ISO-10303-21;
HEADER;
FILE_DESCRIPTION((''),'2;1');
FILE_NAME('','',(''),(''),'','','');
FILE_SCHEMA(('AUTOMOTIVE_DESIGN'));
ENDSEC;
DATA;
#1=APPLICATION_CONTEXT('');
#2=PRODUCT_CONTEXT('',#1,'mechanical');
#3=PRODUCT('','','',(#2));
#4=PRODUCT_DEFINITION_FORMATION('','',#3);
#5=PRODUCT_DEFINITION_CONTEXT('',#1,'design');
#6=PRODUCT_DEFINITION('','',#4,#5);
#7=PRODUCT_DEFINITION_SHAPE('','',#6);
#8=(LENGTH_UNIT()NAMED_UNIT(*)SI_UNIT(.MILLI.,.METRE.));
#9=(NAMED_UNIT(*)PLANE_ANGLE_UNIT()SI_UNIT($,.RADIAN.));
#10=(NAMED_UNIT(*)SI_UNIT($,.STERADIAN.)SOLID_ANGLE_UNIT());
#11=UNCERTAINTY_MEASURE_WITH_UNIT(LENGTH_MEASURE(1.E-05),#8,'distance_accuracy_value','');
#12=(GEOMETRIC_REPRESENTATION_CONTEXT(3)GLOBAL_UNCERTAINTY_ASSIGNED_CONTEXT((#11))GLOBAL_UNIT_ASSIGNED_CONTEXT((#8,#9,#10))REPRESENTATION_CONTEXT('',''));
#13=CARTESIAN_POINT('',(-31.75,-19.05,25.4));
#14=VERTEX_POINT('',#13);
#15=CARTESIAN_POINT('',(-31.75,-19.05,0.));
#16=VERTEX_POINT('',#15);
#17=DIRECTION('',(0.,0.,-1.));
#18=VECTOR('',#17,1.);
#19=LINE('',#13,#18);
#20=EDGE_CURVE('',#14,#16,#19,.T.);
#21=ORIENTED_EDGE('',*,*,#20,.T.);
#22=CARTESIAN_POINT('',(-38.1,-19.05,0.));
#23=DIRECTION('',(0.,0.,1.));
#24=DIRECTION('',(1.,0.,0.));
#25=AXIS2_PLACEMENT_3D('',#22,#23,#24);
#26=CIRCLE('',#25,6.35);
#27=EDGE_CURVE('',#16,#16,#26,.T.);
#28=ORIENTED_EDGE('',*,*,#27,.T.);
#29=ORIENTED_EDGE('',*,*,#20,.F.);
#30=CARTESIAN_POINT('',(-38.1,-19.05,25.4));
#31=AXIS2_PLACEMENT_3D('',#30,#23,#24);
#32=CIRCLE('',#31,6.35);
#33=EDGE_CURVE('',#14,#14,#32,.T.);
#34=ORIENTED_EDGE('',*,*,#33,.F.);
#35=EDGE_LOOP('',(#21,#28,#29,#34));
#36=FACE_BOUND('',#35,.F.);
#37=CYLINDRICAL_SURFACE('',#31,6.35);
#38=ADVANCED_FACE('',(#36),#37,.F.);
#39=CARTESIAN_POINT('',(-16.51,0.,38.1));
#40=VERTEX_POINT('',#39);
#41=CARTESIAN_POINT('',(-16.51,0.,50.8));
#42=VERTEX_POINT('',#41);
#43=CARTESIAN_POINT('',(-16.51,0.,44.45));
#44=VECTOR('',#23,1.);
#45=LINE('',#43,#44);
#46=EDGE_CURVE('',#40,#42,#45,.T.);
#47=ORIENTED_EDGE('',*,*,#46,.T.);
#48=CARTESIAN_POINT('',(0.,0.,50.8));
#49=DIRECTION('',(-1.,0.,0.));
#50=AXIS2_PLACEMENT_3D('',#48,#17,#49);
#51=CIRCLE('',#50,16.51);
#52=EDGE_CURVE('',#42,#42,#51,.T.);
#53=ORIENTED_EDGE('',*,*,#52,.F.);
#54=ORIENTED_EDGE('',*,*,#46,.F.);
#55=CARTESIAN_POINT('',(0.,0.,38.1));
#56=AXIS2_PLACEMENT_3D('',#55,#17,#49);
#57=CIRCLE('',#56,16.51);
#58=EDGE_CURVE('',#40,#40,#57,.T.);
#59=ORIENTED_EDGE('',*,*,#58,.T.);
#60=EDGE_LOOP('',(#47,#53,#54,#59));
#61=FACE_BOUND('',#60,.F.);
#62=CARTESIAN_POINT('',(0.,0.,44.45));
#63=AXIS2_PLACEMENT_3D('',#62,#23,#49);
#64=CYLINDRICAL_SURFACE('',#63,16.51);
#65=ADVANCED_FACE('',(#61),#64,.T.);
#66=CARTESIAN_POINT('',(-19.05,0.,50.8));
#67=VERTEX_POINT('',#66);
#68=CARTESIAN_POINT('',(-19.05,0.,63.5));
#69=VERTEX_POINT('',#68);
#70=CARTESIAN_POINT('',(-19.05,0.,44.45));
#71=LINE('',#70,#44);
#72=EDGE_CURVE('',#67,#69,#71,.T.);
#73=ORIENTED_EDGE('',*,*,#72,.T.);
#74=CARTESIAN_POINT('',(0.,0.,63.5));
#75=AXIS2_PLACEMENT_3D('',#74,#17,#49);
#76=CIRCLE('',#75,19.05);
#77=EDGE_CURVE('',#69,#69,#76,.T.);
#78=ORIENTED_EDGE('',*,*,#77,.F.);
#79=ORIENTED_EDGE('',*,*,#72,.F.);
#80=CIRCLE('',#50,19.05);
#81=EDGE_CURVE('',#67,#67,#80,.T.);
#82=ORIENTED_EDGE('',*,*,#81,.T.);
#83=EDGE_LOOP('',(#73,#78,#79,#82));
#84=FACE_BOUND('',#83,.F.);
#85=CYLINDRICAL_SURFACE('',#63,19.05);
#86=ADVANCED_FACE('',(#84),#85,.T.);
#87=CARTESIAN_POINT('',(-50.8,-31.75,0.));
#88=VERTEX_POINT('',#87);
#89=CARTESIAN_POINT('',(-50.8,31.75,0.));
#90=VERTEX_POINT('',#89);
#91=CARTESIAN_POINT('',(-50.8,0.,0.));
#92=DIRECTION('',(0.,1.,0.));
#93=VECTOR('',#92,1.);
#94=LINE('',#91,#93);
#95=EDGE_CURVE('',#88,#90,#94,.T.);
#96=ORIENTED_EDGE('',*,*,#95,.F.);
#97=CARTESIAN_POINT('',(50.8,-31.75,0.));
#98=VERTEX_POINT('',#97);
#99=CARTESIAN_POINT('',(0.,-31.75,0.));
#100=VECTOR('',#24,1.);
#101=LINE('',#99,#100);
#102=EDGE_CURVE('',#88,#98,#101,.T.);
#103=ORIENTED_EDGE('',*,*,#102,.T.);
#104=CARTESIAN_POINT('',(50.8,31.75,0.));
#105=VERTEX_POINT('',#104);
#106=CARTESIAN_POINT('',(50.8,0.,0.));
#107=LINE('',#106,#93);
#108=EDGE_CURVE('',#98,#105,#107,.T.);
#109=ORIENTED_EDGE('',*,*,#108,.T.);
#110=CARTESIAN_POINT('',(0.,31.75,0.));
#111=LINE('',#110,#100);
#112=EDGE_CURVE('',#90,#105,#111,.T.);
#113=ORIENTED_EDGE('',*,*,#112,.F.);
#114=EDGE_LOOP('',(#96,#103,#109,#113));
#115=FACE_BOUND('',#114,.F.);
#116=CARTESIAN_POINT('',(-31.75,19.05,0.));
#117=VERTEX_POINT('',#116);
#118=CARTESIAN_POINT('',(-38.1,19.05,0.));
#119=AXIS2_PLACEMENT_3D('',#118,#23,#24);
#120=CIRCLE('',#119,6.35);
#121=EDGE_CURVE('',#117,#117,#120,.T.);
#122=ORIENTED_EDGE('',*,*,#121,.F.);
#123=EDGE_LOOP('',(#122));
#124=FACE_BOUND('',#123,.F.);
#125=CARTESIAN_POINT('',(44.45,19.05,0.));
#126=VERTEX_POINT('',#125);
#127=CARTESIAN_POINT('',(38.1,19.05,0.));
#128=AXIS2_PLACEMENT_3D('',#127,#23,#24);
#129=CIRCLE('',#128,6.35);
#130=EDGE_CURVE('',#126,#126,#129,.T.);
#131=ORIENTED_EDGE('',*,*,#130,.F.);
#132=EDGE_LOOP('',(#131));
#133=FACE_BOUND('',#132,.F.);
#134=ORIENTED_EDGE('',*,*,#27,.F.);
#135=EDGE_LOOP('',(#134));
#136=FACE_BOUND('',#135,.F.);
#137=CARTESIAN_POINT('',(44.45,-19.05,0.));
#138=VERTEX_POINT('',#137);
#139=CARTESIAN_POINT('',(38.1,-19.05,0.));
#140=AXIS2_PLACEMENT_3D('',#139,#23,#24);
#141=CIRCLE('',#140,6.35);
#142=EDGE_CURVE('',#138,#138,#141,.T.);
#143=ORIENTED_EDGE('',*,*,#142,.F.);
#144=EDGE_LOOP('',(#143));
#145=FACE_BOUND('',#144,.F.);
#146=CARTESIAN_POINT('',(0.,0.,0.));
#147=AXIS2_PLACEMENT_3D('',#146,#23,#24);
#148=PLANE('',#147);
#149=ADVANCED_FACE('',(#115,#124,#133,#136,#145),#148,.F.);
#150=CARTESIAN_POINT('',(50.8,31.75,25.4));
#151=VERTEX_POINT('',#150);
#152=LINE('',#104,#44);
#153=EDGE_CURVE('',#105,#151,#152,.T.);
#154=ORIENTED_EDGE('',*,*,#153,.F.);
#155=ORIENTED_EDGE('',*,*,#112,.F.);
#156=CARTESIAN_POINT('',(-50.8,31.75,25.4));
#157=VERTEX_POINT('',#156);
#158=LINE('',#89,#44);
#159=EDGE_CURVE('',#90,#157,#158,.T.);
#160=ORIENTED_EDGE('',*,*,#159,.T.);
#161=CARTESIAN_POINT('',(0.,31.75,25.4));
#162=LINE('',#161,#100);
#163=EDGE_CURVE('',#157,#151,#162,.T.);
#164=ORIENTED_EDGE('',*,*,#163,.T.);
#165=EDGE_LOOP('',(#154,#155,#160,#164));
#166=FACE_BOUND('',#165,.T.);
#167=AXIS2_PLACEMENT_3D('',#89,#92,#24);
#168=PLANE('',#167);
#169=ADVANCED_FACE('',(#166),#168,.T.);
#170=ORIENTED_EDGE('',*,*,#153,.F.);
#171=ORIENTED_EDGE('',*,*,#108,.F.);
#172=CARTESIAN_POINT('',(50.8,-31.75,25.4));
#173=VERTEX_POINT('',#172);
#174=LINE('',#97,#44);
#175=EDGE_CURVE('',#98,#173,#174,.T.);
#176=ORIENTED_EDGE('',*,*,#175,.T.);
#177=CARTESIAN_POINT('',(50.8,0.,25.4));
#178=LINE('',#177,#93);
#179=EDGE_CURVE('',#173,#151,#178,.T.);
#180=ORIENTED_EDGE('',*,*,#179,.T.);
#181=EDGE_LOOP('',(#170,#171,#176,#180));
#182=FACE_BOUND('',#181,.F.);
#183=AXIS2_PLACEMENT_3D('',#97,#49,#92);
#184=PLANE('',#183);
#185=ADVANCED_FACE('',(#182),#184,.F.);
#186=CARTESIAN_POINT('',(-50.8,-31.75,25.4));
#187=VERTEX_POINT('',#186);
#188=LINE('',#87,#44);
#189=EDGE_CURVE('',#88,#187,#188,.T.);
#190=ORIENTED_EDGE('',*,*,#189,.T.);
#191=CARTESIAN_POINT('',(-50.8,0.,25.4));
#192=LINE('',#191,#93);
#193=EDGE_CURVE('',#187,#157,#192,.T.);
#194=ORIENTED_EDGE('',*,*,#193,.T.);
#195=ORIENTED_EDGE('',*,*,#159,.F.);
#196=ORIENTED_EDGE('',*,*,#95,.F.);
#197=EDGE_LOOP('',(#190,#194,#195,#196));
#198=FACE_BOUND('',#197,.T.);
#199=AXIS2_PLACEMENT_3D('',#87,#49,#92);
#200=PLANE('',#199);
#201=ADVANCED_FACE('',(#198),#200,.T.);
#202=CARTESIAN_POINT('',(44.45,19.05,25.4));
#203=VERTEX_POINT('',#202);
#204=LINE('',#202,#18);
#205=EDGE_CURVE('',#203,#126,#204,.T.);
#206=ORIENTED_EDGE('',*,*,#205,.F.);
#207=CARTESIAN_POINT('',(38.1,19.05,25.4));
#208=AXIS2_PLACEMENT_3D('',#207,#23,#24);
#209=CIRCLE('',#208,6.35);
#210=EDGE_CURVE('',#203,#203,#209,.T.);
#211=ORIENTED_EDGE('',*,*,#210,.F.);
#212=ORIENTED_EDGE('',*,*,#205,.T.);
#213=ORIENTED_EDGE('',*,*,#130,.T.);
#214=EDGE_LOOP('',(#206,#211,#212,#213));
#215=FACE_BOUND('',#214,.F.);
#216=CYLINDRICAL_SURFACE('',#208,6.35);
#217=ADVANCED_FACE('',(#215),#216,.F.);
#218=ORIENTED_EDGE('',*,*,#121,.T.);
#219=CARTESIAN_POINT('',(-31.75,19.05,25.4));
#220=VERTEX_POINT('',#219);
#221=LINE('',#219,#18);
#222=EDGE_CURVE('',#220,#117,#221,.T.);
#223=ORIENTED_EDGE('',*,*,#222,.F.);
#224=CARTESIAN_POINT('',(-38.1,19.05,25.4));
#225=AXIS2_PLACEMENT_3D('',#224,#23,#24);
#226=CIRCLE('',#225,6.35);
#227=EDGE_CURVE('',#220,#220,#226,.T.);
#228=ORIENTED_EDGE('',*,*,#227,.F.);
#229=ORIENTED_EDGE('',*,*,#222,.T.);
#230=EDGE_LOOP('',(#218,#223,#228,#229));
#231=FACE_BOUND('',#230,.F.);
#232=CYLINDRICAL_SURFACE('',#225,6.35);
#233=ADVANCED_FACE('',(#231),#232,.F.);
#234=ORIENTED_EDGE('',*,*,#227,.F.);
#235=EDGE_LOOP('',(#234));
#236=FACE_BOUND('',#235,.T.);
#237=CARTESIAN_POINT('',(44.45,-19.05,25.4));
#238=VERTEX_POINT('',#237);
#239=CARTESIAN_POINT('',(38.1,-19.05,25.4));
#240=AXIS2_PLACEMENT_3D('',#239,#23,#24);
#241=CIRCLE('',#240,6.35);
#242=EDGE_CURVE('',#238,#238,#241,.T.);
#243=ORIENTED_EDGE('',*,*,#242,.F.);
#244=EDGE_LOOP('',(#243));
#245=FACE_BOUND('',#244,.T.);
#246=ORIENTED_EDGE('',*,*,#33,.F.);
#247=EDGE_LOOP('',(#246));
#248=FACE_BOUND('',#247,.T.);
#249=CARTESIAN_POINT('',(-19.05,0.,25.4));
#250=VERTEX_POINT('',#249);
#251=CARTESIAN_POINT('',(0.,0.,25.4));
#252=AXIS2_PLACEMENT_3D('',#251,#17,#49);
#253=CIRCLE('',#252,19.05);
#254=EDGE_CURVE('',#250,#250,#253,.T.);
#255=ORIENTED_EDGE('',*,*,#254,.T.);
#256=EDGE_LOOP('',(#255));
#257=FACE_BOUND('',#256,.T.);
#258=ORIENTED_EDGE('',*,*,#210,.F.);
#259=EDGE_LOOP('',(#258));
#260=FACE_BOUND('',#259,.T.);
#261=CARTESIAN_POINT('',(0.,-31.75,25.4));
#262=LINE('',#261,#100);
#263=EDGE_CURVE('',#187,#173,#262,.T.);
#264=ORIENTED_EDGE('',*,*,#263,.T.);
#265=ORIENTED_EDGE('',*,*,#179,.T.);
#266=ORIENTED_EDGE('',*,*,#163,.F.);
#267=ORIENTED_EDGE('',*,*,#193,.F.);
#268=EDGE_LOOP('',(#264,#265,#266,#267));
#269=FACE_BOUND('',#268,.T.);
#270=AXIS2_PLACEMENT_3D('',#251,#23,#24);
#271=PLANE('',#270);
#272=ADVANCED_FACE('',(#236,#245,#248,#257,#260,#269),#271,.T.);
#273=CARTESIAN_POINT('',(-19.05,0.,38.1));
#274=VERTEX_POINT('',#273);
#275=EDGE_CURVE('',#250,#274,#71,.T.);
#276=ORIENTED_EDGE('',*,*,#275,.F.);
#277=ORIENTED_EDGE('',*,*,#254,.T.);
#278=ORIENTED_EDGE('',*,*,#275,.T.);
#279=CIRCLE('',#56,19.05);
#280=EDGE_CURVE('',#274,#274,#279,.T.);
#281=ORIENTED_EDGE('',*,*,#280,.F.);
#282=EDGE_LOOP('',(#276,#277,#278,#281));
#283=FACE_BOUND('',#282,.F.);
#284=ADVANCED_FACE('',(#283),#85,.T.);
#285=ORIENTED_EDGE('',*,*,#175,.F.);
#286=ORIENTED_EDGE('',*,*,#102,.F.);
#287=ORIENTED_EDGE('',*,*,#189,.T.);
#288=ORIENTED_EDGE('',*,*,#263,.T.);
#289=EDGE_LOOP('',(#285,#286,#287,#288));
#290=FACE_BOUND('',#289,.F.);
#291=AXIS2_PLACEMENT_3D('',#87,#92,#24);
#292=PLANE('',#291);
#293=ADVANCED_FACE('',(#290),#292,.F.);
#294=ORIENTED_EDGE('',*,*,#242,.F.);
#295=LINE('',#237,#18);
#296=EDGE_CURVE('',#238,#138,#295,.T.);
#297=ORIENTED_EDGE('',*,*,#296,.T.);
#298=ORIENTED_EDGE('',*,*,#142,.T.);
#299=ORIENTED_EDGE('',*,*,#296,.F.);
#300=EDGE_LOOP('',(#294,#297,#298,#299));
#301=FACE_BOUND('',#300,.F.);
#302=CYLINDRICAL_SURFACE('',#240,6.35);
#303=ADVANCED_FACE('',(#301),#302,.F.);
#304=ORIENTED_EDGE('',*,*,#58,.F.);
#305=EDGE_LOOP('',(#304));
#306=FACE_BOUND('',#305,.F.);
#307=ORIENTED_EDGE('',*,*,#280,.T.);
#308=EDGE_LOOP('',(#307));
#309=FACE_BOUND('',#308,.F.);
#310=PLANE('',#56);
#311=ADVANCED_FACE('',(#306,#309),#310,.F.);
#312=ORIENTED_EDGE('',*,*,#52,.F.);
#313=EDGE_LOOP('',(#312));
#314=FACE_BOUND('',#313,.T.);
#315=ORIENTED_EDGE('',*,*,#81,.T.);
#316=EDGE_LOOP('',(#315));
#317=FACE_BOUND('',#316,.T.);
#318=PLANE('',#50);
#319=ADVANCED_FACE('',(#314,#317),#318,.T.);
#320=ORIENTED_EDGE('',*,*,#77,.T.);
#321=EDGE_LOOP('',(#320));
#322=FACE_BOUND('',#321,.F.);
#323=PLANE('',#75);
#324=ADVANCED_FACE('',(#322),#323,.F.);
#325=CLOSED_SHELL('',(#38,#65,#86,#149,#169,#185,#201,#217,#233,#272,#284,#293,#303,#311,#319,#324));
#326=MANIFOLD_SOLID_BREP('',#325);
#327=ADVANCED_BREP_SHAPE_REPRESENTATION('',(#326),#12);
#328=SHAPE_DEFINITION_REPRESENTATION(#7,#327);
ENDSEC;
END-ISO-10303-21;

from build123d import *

# Parameters (mm, degrees)
F0_W     = 101.6
F0_H     = 63.5
F1_DEPTH = 25.4
F2_R     = 6.35
F3_DEPTH = 25.401
F4_W     = 19.05
F4_H     = 38.1
F6_W     = 2.54
F6_H     = 12.7


with BuildPart() as f1:
    # F0 (on Top) → F1 (new body)
    with BuildSketch(Plane.XY):
        Rectangle(F0_W, F0_H)
    extrude(amount=F1_DEPTH)

    # F2 (on face) → F3 (cut, through all)
    with BuildSketch(Plane.XY.offset(25.4)):
        with Locations((-38.1, 19.05)):
            Circle(F2_R)
        with Locations((-38.1, -19.05)):
            Circle(F2_R)
        with Locations((38.1, 19.05)):
            Circle(F2_R)
        with Locations((38.1, -19.05)):
            Circle(F2_R)
    extrude(amount=-F3_DEPTH, mode=Mode.SUBTRACT)

    # F4 (on Front) → F5 (revolve)
    with BuildSketch(Plane.XZ):
        with Locations((-9.525, 44.45)):
            Rectangle(F4_W, F4_H)
    revolve(axis=Axis((0, 0, 44.45), (0, 0, -1)))

    # F6 (on Front) → F8 (revolve, cut)
    with BuildSketch(Plane.XZ):
        with Locations((-17.78, 44.45)):
            Rectangle(F6_W, F6_H)
    revolve(axis=Axis((0, 0, 44.295382), (0, 0, -1)), mode=Mode.SUBTRACT)


solid = f1.part
